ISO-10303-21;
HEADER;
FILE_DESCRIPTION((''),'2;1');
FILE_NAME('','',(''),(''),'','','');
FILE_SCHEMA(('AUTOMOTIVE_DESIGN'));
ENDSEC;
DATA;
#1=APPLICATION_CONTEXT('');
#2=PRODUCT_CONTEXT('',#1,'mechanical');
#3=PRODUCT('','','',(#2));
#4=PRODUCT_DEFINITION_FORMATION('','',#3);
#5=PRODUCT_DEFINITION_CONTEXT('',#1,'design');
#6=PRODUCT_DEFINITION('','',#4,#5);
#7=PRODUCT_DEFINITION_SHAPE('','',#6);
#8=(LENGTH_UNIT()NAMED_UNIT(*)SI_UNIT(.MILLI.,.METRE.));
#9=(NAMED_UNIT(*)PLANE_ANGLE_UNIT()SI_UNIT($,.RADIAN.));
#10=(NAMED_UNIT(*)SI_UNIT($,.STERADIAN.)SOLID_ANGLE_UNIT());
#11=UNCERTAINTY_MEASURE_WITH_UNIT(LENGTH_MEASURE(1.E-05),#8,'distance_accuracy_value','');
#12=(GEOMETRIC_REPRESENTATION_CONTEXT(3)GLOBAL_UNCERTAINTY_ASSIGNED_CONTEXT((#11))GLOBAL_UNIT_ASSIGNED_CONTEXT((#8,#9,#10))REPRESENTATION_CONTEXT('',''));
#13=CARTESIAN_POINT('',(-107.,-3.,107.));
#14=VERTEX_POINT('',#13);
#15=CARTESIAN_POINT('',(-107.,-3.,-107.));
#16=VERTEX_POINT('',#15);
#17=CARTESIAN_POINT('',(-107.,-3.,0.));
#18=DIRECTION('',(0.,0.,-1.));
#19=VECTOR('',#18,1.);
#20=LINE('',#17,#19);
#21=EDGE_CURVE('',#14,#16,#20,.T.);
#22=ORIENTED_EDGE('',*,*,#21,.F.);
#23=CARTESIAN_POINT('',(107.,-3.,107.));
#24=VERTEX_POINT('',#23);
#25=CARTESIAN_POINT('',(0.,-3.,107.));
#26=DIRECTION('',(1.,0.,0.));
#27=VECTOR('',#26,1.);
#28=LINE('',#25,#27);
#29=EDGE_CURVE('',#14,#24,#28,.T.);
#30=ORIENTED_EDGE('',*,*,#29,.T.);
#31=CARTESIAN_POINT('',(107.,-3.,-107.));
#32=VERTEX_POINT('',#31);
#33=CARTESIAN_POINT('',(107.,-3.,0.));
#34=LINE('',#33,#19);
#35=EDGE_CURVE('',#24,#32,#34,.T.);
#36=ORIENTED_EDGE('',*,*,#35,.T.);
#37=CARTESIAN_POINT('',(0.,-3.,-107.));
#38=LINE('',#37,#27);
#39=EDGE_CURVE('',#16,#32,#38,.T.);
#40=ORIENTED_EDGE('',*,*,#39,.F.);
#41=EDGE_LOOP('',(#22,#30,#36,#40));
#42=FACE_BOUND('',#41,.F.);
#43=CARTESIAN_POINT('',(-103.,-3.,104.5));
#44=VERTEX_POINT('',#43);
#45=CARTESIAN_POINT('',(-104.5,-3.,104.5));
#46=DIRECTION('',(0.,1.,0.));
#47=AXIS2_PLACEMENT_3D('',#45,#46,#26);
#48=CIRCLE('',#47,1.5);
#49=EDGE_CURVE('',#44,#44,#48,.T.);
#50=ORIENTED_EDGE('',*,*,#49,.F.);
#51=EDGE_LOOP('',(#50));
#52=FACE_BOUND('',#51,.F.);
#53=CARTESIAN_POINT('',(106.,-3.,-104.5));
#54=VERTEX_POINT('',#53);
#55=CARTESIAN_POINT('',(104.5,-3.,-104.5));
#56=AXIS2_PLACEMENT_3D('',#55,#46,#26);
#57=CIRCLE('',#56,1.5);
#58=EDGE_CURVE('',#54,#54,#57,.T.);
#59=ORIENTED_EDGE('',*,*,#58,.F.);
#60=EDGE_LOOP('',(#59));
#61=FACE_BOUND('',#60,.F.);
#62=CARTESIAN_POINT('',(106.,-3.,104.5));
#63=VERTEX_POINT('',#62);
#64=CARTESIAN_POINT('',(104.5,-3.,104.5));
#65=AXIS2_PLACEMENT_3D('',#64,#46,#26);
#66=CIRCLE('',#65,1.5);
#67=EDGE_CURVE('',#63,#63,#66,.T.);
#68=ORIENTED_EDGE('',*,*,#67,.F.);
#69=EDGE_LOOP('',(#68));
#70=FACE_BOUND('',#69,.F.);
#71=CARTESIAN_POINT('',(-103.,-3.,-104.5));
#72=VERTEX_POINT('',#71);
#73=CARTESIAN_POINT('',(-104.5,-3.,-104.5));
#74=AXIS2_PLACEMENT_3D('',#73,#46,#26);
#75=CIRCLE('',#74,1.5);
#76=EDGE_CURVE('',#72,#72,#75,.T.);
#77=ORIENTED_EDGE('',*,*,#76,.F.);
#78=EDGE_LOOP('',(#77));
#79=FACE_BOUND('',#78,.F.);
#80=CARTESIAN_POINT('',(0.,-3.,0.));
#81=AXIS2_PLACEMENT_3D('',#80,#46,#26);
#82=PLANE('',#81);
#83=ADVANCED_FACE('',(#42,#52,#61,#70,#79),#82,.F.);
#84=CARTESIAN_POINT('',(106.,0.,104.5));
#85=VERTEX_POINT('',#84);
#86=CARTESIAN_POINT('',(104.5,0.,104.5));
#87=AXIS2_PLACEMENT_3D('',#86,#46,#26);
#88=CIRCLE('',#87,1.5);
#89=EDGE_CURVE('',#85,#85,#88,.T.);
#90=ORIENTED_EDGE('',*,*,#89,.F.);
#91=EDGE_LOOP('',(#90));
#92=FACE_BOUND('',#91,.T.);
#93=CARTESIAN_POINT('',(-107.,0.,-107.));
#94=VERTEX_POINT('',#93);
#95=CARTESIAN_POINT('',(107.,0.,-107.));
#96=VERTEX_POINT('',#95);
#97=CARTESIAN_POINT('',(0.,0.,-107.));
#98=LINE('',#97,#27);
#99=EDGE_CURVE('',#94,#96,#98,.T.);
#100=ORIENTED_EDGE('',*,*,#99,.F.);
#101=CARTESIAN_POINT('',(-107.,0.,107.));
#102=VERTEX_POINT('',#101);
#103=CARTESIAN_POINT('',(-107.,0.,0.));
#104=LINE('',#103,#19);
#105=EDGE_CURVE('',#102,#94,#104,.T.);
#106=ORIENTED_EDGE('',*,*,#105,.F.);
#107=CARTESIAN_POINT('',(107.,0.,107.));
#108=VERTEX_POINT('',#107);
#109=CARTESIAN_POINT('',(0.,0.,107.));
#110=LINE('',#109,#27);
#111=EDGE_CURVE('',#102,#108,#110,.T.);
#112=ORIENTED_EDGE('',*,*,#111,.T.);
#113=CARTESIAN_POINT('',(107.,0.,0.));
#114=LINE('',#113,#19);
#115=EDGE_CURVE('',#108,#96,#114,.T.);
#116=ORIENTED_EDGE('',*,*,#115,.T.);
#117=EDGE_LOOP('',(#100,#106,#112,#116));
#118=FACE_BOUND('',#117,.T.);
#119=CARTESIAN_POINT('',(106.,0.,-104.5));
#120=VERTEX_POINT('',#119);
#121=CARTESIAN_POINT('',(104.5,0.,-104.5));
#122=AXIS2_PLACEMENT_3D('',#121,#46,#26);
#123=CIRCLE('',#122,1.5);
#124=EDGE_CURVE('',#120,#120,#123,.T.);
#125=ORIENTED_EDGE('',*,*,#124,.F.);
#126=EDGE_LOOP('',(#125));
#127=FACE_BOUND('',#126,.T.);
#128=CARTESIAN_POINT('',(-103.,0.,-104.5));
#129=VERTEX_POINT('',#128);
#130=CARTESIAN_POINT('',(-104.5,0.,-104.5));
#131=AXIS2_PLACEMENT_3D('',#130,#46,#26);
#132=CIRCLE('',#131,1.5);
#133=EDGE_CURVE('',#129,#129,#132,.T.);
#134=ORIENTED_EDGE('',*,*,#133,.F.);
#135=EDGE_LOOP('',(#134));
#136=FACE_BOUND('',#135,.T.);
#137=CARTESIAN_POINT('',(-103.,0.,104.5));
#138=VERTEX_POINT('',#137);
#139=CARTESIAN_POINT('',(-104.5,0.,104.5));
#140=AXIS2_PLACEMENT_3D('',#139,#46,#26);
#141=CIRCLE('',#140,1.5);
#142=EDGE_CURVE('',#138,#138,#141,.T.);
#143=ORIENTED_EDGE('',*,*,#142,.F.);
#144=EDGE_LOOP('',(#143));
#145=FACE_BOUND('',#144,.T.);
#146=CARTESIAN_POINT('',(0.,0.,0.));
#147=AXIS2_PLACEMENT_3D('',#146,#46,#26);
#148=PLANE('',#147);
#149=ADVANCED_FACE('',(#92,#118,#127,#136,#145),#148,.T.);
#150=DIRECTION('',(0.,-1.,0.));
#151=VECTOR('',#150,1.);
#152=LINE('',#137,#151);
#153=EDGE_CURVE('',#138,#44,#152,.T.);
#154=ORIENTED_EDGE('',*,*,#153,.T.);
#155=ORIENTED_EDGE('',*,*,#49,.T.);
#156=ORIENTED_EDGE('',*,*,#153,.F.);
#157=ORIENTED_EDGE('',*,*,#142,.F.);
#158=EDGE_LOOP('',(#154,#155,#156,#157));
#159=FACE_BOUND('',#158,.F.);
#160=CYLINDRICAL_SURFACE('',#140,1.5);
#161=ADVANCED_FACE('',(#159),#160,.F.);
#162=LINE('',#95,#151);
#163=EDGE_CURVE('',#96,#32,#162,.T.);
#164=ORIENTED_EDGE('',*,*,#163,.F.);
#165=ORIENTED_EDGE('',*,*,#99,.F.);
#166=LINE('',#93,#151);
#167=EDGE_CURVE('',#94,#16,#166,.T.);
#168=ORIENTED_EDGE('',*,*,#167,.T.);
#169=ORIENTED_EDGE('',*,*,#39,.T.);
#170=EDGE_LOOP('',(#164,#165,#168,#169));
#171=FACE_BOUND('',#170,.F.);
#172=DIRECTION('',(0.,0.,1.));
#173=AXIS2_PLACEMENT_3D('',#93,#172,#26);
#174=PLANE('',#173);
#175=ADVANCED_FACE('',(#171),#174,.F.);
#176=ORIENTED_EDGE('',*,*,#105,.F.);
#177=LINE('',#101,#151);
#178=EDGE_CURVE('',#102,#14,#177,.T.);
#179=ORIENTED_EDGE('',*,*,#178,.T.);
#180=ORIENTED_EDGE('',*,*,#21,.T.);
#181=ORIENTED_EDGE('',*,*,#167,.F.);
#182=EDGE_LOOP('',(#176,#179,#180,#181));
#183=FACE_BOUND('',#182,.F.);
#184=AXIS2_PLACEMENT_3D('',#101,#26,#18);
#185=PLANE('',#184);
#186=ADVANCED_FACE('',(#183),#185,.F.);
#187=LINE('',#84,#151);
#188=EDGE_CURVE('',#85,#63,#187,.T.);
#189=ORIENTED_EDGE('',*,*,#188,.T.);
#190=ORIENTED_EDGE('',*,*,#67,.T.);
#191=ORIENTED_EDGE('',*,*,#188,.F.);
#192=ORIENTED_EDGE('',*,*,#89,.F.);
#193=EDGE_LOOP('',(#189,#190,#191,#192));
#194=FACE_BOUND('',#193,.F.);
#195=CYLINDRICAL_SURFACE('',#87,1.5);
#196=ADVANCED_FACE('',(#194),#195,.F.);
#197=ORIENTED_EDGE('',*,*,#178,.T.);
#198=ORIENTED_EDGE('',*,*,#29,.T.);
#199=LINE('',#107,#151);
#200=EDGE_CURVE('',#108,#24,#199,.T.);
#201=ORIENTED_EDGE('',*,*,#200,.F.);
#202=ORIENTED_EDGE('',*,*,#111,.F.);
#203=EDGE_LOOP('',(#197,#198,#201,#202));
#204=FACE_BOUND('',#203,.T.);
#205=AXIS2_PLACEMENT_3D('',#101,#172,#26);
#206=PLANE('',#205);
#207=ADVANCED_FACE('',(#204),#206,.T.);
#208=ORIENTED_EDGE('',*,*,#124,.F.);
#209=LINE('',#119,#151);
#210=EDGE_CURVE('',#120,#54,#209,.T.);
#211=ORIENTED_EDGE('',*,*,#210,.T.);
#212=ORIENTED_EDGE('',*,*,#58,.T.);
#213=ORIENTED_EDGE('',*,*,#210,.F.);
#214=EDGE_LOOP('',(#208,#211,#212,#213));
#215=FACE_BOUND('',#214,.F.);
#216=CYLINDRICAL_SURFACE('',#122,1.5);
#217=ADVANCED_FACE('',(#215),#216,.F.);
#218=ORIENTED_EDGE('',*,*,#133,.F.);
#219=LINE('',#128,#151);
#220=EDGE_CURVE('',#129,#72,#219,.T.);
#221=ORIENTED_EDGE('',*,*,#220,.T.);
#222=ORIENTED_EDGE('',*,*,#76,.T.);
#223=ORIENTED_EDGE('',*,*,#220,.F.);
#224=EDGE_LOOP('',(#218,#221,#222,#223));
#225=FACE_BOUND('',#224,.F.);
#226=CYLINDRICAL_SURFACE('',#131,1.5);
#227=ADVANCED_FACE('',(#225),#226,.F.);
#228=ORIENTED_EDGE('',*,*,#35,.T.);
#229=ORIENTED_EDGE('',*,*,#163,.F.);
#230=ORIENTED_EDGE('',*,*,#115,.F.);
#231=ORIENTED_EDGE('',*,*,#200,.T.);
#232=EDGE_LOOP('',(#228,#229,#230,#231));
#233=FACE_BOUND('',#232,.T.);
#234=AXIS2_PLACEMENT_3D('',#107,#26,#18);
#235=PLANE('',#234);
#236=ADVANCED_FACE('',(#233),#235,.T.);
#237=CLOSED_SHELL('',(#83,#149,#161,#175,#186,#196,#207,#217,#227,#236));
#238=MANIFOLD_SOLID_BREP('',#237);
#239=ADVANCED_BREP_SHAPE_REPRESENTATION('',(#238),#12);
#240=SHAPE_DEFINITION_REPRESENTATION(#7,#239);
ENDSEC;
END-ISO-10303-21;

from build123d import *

# Parameters (mm, degrees)
SKETCH1_W           = 214
SKETCH1_H           = 214
SKETCH1_R           = 1.5
BOSS_EXTRUDE1_DEPTH = 3


with BuildPart() as part:
    # Sketch1 → Boss-Extrude1 (new body)
    with BuildSketch(Plane(origin=(0, 0, 0), x_dir=(1, 0, 0), z_dir=(0, 1, 0))):
        Rectangle(SKETCH1_W, SKETCH1_H)
        with Locations((104.5, 104.5)):
            Circle(SKETCH1_R, mode=Mode.SUBTRACT)
        with Locations((-104.5, -104.5)):
            Circle(SKETCH1_R, mode=Mode.SUBTRACT)
        with Locations((104.5, -104.5)):
            Circle(SKETCH1_R, mode=Mode.SUBTRACT)
        with Locations((-104.5, 104.5)):
            Circle(SKETCH1_R, mode=Mode.SUBTRACT)
    extrude(amount=-BOSS_EXTRUDE1_DEPTH)


solid = part.part
